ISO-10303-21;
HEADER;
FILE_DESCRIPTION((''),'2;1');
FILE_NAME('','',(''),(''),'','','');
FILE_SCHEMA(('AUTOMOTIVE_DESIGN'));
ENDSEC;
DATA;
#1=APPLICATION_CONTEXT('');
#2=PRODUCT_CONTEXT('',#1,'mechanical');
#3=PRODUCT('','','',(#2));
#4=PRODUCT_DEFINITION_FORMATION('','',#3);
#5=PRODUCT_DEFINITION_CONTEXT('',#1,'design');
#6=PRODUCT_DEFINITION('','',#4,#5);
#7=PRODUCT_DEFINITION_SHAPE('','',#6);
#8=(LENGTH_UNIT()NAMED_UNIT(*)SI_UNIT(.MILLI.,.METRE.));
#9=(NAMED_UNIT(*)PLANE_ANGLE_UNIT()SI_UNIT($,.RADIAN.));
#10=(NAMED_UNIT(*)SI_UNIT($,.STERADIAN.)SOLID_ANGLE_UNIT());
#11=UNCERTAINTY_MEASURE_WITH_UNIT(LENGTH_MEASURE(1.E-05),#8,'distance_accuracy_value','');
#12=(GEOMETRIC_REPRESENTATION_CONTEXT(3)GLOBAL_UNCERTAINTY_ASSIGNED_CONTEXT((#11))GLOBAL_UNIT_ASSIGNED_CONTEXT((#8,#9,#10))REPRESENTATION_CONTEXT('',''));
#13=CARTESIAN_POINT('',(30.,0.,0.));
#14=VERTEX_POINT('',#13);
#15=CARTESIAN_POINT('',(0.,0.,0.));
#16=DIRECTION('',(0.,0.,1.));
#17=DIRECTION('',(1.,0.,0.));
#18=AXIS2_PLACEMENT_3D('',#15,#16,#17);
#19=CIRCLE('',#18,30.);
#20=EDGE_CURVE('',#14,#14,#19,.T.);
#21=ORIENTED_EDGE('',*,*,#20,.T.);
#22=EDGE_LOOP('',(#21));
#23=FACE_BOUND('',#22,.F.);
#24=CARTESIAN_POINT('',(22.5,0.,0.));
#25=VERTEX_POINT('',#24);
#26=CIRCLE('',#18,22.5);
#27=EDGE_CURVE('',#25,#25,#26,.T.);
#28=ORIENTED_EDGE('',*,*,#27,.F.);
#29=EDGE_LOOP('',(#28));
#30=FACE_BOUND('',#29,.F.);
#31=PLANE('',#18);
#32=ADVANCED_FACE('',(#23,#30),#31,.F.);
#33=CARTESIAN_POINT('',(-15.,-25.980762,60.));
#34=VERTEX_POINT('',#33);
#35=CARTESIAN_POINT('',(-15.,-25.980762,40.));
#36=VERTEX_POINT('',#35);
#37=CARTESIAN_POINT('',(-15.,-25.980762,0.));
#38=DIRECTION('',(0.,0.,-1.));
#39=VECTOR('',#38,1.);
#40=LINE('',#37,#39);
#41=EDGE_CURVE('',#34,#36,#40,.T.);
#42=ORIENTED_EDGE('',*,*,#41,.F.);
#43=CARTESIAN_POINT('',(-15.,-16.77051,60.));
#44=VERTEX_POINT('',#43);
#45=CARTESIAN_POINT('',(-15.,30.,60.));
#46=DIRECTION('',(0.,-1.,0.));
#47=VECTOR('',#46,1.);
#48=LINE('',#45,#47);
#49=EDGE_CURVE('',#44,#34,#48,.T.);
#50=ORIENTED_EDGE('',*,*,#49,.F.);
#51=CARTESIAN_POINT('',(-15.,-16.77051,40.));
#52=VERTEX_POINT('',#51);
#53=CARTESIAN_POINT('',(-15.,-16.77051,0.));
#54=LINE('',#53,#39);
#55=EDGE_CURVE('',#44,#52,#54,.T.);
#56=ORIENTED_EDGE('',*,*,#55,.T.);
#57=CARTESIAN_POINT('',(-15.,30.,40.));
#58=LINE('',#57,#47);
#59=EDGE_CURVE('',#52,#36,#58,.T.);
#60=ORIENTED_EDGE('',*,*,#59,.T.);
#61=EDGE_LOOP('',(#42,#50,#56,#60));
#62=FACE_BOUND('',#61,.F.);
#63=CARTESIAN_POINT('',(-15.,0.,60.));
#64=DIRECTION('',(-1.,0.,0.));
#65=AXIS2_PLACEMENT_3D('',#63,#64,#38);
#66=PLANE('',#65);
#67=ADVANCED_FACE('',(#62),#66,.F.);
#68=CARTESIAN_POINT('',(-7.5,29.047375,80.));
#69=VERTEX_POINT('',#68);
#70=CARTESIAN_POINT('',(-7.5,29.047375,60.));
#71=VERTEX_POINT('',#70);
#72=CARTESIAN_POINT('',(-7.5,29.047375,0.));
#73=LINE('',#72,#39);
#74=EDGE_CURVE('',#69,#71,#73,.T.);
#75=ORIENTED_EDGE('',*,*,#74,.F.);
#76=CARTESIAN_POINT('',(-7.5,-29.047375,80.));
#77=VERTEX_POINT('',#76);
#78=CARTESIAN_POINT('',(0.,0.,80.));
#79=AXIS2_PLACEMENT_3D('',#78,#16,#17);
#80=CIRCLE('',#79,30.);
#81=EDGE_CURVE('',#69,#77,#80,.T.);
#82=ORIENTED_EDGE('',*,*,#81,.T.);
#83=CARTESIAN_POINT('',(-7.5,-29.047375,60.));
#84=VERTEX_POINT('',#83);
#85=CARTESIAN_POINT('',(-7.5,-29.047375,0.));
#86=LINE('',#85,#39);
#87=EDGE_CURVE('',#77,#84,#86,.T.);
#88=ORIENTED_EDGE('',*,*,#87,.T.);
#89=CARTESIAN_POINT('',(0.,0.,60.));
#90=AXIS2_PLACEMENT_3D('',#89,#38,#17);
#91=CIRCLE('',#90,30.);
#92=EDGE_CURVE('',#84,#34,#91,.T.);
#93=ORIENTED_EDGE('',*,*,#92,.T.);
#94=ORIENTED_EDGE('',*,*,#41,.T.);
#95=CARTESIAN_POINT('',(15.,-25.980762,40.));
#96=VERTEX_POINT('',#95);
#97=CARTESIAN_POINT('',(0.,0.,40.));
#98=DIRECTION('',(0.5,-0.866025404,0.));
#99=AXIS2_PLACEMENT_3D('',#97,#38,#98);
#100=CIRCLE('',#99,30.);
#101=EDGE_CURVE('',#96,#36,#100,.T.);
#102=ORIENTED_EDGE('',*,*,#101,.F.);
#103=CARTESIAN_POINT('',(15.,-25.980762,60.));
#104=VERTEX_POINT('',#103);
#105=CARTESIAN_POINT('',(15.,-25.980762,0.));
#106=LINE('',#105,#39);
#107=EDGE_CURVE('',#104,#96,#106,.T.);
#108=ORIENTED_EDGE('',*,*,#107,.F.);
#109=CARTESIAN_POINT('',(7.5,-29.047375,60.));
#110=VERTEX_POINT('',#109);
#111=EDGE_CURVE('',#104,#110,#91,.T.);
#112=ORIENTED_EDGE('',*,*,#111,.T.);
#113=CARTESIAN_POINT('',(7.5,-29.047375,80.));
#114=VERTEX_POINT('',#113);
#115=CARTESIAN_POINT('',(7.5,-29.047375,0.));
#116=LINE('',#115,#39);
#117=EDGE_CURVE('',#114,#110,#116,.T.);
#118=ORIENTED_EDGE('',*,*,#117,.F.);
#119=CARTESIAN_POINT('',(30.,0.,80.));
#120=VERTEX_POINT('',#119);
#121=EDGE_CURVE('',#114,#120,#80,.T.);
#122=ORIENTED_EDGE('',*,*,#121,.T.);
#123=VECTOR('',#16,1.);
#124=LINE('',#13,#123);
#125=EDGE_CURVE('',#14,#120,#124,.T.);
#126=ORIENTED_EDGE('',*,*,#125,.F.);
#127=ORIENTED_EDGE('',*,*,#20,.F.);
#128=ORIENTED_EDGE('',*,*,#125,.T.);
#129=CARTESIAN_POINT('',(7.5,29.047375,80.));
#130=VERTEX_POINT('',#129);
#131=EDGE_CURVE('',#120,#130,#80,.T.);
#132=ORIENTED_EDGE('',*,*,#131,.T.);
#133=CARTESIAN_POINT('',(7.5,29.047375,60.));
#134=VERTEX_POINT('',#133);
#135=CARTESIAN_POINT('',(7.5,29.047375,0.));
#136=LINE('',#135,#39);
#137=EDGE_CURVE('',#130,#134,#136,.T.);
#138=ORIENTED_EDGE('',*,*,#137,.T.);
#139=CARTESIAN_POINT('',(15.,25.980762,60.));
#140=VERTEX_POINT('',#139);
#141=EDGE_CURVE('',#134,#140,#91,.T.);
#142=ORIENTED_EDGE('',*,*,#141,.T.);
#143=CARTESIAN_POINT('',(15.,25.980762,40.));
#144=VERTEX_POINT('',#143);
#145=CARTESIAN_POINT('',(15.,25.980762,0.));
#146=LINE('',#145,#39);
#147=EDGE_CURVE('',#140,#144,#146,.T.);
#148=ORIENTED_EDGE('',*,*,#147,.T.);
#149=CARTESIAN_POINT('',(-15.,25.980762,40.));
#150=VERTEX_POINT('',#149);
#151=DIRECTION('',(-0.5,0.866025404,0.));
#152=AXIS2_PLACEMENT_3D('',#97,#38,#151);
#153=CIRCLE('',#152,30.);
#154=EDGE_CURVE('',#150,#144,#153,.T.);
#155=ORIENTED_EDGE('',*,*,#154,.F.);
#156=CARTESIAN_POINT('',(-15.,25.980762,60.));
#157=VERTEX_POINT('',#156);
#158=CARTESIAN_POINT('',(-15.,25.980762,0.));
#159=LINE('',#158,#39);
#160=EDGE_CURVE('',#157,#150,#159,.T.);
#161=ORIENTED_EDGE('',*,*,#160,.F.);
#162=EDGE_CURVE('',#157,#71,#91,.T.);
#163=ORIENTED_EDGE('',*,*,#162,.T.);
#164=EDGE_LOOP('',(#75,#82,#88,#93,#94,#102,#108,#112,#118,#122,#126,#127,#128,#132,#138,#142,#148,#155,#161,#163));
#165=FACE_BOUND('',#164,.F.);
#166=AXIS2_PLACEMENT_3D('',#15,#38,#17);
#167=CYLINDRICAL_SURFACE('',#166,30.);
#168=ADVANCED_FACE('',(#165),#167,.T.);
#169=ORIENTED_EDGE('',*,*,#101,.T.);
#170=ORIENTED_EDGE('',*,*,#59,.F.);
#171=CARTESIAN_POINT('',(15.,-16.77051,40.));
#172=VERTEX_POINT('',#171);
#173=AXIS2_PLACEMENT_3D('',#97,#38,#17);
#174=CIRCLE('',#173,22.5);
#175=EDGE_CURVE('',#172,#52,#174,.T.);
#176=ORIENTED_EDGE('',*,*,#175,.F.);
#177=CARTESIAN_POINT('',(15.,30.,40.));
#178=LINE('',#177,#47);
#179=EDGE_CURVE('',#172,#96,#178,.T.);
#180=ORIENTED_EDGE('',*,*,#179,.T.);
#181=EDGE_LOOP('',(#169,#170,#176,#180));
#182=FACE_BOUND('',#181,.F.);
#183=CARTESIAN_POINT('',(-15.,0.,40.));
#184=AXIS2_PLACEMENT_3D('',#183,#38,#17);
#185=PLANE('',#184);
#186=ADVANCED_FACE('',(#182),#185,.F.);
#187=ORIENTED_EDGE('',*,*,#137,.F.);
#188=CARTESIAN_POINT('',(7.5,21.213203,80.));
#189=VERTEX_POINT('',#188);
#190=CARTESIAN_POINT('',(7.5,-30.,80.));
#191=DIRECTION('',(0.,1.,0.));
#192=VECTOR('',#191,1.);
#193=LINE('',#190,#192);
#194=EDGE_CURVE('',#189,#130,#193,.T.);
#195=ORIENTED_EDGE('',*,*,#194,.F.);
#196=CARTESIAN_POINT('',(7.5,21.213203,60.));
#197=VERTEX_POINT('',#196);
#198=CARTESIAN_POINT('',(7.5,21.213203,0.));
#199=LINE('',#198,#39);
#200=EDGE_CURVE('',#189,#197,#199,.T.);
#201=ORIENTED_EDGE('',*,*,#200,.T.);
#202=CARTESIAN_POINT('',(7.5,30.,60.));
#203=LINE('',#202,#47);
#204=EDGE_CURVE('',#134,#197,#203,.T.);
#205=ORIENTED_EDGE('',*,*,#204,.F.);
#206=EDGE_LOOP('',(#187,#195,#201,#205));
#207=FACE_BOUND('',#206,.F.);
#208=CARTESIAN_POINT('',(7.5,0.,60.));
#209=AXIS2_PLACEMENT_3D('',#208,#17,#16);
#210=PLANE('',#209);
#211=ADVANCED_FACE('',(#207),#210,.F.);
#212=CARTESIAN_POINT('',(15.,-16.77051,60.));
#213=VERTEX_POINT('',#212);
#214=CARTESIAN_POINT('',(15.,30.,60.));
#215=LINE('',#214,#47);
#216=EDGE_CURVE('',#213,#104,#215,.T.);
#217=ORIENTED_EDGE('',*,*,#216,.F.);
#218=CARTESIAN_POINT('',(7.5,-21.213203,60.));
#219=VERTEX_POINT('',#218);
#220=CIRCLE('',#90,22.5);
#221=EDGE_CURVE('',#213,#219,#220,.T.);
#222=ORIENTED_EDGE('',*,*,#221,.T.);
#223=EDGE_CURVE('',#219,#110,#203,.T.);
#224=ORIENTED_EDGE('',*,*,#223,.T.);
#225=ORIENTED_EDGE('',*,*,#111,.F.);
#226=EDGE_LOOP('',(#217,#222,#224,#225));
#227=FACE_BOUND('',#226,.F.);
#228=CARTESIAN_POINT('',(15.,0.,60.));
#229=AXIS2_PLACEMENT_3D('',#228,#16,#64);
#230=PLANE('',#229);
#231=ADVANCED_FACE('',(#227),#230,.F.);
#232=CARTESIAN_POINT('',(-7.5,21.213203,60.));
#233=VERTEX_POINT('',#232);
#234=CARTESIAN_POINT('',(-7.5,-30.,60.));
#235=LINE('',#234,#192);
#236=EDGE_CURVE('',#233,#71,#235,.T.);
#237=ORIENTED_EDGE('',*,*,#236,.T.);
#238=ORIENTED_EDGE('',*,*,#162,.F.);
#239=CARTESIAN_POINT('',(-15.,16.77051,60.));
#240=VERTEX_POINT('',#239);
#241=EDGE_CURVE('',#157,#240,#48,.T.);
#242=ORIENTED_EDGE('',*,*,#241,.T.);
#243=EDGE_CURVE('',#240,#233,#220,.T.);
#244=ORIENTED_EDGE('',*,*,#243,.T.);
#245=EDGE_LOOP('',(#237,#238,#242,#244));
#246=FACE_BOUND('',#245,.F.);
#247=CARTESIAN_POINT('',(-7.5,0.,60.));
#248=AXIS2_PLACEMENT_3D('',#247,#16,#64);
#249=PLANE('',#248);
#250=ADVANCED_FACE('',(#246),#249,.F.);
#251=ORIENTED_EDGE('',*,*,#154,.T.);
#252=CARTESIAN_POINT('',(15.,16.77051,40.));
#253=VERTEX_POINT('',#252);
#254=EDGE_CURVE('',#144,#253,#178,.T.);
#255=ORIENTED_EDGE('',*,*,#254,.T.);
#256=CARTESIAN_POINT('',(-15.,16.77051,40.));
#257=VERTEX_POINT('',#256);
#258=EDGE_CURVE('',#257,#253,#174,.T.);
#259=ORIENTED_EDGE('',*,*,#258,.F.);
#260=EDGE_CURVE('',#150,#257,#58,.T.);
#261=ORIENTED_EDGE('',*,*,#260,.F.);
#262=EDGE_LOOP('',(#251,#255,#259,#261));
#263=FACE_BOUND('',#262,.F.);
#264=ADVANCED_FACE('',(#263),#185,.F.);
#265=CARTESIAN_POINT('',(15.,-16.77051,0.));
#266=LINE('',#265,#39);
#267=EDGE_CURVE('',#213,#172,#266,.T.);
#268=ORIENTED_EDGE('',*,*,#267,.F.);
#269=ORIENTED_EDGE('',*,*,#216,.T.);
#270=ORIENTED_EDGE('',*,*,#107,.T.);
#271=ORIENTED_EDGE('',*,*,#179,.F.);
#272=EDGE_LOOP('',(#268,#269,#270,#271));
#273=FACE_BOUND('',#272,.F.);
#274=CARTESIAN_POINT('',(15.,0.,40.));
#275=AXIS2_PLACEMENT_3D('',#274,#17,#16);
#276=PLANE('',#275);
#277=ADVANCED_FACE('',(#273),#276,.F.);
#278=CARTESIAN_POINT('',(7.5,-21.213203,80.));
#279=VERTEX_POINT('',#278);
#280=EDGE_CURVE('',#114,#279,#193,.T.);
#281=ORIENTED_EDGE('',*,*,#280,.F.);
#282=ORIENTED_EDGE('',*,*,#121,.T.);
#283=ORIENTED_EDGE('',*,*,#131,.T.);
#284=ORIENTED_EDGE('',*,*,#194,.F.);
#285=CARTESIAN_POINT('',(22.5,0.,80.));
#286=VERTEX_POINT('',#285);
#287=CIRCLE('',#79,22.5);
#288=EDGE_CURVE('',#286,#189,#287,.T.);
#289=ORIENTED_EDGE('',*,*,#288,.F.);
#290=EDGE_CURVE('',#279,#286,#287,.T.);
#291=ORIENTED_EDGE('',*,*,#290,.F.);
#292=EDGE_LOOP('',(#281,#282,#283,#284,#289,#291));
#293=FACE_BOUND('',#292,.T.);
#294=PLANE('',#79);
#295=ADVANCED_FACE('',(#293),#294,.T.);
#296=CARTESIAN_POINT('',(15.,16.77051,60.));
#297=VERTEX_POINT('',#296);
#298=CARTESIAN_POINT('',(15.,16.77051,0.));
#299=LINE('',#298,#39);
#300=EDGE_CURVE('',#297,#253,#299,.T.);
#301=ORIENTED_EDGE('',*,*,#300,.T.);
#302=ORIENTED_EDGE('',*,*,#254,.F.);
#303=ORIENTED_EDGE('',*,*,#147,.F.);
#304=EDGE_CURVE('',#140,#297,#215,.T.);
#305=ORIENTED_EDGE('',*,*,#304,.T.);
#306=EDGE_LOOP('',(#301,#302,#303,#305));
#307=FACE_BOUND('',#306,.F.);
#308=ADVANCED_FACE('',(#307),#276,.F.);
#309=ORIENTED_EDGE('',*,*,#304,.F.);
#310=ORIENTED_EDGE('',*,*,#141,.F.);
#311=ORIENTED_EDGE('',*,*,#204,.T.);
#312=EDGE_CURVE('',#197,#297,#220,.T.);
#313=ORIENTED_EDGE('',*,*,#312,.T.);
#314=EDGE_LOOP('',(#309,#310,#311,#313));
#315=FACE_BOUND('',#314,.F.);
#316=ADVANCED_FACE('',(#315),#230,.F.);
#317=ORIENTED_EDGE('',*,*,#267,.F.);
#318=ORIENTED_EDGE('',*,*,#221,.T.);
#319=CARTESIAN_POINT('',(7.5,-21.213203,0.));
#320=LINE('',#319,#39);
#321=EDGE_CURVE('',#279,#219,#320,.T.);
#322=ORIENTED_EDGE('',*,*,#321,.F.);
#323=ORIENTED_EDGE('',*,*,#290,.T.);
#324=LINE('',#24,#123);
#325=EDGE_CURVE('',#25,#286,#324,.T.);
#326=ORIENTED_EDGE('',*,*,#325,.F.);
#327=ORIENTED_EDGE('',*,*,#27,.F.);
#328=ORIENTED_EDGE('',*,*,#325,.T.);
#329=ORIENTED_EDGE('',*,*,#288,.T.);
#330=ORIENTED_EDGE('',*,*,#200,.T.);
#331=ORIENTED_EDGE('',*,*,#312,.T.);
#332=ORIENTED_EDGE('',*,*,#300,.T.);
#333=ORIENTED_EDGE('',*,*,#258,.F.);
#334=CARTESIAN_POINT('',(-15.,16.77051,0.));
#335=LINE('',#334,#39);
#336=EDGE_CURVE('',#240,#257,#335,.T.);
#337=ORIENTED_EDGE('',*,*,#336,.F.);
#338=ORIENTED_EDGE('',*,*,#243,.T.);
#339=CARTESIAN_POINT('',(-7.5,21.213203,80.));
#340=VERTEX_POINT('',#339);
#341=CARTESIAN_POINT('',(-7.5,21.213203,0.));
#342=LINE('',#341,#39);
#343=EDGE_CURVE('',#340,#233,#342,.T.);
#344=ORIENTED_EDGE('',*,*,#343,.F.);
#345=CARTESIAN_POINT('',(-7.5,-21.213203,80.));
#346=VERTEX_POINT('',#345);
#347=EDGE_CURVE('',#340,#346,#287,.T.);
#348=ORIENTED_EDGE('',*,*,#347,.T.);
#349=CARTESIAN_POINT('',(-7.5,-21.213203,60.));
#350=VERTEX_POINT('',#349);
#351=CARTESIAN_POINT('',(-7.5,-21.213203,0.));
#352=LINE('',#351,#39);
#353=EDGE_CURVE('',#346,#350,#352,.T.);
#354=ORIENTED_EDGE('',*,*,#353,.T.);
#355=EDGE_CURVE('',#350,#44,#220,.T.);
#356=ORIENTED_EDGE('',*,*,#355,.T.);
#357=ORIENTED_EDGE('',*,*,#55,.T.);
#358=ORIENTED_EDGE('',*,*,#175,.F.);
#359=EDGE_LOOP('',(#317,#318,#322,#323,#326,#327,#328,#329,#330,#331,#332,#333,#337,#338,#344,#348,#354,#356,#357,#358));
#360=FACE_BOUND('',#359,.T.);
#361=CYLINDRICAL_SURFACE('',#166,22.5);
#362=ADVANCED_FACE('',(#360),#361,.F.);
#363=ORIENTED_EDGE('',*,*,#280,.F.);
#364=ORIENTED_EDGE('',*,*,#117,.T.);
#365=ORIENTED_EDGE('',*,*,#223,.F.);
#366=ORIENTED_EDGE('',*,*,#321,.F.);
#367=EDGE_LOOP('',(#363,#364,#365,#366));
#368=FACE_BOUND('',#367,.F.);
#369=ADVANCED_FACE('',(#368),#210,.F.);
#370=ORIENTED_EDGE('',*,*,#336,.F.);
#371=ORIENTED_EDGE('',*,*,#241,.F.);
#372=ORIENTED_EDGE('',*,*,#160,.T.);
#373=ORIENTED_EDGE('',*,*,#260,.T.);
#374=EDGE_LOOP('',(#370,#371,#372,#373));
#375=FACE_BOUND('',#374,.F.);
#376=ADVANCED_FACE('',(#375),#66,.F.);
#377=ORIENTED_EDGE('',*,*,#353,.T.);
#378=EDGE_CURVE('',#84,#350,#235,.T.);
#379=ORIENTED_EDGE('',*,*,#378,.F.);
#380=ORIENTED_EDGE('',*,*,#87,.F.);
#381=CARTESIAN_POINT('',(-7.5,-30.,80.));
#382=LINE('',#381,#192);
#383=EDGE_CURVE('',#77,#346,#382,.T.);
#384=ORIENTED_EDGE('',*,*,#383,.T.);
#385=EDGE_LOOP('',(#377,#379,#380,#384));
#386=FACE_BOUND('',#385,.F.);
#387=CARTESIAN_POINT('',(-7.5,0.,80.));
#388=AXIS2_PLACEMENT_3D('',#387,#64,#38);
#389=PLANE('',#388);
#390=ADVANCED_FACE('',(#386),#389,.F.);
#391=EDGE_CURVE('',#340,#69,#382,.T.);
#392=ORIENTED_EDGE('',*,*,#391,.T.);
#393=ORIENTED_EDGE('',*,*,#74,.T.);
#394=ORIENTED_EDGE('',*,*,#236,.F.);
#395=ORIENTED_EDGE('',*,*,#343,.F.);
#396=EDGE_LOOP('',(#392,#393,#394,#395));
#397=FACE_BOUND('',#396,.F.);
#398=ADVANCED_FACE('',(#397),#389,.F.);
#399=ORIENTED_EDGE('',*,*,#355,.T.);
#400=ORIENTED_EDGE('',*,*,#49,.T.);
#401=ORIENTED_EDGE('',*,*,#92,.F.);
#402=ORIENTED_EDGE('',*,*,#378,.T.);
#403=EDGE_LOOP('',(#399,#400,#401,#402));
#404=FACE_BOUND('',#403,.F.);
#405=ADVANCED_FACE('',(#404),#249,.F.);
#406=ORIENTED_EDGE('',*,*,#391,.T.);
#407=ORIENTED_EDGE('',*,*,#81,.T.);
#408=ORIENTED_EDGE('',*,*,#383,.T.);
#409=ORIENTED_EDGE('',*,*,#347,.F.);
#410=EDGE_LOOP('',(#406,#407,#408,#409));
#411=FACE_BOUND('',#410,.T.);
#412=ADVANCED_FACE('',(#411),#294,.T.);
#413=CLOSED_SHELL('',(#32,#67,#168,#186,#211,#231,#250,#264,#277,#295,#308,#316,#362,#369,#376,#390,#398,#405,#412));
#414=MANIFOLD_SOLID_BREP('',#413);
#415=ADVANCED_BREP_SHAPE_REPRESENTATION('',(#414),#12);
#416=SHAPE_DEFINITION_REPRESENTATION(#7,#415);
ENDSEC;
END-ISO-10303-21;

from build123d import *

# Parameters (mm, degrees)
F0_R     = 30
F0_R_2   = 22.5
F1_DEPTH = 80
F3_DEPTH = 30


with BuildPart() as f1:
    # F0 (on Top) → F1 (new body)
    with BuildSketch(Plane.XY):
        Circle(F0_R)
        Circle(F0_R_2, mode=Mode.SUBTRACT)
    extrude(amount=F1_DEPTH)

    # F2 (on Front) → F3 (cut, symmetric)
    with BuildSketch(Plane.XZ):
        Polygon((-7.5, 60), (-15, 60), (-15, 40), (15, 40), (15, 60), (7.5, 60), (7.5, 80), (-7.5, 80), align=None)
    extrude(amount=F3_DEPTH, both=True, mode=Mode.SUBTRACT)


solid = f1.part
